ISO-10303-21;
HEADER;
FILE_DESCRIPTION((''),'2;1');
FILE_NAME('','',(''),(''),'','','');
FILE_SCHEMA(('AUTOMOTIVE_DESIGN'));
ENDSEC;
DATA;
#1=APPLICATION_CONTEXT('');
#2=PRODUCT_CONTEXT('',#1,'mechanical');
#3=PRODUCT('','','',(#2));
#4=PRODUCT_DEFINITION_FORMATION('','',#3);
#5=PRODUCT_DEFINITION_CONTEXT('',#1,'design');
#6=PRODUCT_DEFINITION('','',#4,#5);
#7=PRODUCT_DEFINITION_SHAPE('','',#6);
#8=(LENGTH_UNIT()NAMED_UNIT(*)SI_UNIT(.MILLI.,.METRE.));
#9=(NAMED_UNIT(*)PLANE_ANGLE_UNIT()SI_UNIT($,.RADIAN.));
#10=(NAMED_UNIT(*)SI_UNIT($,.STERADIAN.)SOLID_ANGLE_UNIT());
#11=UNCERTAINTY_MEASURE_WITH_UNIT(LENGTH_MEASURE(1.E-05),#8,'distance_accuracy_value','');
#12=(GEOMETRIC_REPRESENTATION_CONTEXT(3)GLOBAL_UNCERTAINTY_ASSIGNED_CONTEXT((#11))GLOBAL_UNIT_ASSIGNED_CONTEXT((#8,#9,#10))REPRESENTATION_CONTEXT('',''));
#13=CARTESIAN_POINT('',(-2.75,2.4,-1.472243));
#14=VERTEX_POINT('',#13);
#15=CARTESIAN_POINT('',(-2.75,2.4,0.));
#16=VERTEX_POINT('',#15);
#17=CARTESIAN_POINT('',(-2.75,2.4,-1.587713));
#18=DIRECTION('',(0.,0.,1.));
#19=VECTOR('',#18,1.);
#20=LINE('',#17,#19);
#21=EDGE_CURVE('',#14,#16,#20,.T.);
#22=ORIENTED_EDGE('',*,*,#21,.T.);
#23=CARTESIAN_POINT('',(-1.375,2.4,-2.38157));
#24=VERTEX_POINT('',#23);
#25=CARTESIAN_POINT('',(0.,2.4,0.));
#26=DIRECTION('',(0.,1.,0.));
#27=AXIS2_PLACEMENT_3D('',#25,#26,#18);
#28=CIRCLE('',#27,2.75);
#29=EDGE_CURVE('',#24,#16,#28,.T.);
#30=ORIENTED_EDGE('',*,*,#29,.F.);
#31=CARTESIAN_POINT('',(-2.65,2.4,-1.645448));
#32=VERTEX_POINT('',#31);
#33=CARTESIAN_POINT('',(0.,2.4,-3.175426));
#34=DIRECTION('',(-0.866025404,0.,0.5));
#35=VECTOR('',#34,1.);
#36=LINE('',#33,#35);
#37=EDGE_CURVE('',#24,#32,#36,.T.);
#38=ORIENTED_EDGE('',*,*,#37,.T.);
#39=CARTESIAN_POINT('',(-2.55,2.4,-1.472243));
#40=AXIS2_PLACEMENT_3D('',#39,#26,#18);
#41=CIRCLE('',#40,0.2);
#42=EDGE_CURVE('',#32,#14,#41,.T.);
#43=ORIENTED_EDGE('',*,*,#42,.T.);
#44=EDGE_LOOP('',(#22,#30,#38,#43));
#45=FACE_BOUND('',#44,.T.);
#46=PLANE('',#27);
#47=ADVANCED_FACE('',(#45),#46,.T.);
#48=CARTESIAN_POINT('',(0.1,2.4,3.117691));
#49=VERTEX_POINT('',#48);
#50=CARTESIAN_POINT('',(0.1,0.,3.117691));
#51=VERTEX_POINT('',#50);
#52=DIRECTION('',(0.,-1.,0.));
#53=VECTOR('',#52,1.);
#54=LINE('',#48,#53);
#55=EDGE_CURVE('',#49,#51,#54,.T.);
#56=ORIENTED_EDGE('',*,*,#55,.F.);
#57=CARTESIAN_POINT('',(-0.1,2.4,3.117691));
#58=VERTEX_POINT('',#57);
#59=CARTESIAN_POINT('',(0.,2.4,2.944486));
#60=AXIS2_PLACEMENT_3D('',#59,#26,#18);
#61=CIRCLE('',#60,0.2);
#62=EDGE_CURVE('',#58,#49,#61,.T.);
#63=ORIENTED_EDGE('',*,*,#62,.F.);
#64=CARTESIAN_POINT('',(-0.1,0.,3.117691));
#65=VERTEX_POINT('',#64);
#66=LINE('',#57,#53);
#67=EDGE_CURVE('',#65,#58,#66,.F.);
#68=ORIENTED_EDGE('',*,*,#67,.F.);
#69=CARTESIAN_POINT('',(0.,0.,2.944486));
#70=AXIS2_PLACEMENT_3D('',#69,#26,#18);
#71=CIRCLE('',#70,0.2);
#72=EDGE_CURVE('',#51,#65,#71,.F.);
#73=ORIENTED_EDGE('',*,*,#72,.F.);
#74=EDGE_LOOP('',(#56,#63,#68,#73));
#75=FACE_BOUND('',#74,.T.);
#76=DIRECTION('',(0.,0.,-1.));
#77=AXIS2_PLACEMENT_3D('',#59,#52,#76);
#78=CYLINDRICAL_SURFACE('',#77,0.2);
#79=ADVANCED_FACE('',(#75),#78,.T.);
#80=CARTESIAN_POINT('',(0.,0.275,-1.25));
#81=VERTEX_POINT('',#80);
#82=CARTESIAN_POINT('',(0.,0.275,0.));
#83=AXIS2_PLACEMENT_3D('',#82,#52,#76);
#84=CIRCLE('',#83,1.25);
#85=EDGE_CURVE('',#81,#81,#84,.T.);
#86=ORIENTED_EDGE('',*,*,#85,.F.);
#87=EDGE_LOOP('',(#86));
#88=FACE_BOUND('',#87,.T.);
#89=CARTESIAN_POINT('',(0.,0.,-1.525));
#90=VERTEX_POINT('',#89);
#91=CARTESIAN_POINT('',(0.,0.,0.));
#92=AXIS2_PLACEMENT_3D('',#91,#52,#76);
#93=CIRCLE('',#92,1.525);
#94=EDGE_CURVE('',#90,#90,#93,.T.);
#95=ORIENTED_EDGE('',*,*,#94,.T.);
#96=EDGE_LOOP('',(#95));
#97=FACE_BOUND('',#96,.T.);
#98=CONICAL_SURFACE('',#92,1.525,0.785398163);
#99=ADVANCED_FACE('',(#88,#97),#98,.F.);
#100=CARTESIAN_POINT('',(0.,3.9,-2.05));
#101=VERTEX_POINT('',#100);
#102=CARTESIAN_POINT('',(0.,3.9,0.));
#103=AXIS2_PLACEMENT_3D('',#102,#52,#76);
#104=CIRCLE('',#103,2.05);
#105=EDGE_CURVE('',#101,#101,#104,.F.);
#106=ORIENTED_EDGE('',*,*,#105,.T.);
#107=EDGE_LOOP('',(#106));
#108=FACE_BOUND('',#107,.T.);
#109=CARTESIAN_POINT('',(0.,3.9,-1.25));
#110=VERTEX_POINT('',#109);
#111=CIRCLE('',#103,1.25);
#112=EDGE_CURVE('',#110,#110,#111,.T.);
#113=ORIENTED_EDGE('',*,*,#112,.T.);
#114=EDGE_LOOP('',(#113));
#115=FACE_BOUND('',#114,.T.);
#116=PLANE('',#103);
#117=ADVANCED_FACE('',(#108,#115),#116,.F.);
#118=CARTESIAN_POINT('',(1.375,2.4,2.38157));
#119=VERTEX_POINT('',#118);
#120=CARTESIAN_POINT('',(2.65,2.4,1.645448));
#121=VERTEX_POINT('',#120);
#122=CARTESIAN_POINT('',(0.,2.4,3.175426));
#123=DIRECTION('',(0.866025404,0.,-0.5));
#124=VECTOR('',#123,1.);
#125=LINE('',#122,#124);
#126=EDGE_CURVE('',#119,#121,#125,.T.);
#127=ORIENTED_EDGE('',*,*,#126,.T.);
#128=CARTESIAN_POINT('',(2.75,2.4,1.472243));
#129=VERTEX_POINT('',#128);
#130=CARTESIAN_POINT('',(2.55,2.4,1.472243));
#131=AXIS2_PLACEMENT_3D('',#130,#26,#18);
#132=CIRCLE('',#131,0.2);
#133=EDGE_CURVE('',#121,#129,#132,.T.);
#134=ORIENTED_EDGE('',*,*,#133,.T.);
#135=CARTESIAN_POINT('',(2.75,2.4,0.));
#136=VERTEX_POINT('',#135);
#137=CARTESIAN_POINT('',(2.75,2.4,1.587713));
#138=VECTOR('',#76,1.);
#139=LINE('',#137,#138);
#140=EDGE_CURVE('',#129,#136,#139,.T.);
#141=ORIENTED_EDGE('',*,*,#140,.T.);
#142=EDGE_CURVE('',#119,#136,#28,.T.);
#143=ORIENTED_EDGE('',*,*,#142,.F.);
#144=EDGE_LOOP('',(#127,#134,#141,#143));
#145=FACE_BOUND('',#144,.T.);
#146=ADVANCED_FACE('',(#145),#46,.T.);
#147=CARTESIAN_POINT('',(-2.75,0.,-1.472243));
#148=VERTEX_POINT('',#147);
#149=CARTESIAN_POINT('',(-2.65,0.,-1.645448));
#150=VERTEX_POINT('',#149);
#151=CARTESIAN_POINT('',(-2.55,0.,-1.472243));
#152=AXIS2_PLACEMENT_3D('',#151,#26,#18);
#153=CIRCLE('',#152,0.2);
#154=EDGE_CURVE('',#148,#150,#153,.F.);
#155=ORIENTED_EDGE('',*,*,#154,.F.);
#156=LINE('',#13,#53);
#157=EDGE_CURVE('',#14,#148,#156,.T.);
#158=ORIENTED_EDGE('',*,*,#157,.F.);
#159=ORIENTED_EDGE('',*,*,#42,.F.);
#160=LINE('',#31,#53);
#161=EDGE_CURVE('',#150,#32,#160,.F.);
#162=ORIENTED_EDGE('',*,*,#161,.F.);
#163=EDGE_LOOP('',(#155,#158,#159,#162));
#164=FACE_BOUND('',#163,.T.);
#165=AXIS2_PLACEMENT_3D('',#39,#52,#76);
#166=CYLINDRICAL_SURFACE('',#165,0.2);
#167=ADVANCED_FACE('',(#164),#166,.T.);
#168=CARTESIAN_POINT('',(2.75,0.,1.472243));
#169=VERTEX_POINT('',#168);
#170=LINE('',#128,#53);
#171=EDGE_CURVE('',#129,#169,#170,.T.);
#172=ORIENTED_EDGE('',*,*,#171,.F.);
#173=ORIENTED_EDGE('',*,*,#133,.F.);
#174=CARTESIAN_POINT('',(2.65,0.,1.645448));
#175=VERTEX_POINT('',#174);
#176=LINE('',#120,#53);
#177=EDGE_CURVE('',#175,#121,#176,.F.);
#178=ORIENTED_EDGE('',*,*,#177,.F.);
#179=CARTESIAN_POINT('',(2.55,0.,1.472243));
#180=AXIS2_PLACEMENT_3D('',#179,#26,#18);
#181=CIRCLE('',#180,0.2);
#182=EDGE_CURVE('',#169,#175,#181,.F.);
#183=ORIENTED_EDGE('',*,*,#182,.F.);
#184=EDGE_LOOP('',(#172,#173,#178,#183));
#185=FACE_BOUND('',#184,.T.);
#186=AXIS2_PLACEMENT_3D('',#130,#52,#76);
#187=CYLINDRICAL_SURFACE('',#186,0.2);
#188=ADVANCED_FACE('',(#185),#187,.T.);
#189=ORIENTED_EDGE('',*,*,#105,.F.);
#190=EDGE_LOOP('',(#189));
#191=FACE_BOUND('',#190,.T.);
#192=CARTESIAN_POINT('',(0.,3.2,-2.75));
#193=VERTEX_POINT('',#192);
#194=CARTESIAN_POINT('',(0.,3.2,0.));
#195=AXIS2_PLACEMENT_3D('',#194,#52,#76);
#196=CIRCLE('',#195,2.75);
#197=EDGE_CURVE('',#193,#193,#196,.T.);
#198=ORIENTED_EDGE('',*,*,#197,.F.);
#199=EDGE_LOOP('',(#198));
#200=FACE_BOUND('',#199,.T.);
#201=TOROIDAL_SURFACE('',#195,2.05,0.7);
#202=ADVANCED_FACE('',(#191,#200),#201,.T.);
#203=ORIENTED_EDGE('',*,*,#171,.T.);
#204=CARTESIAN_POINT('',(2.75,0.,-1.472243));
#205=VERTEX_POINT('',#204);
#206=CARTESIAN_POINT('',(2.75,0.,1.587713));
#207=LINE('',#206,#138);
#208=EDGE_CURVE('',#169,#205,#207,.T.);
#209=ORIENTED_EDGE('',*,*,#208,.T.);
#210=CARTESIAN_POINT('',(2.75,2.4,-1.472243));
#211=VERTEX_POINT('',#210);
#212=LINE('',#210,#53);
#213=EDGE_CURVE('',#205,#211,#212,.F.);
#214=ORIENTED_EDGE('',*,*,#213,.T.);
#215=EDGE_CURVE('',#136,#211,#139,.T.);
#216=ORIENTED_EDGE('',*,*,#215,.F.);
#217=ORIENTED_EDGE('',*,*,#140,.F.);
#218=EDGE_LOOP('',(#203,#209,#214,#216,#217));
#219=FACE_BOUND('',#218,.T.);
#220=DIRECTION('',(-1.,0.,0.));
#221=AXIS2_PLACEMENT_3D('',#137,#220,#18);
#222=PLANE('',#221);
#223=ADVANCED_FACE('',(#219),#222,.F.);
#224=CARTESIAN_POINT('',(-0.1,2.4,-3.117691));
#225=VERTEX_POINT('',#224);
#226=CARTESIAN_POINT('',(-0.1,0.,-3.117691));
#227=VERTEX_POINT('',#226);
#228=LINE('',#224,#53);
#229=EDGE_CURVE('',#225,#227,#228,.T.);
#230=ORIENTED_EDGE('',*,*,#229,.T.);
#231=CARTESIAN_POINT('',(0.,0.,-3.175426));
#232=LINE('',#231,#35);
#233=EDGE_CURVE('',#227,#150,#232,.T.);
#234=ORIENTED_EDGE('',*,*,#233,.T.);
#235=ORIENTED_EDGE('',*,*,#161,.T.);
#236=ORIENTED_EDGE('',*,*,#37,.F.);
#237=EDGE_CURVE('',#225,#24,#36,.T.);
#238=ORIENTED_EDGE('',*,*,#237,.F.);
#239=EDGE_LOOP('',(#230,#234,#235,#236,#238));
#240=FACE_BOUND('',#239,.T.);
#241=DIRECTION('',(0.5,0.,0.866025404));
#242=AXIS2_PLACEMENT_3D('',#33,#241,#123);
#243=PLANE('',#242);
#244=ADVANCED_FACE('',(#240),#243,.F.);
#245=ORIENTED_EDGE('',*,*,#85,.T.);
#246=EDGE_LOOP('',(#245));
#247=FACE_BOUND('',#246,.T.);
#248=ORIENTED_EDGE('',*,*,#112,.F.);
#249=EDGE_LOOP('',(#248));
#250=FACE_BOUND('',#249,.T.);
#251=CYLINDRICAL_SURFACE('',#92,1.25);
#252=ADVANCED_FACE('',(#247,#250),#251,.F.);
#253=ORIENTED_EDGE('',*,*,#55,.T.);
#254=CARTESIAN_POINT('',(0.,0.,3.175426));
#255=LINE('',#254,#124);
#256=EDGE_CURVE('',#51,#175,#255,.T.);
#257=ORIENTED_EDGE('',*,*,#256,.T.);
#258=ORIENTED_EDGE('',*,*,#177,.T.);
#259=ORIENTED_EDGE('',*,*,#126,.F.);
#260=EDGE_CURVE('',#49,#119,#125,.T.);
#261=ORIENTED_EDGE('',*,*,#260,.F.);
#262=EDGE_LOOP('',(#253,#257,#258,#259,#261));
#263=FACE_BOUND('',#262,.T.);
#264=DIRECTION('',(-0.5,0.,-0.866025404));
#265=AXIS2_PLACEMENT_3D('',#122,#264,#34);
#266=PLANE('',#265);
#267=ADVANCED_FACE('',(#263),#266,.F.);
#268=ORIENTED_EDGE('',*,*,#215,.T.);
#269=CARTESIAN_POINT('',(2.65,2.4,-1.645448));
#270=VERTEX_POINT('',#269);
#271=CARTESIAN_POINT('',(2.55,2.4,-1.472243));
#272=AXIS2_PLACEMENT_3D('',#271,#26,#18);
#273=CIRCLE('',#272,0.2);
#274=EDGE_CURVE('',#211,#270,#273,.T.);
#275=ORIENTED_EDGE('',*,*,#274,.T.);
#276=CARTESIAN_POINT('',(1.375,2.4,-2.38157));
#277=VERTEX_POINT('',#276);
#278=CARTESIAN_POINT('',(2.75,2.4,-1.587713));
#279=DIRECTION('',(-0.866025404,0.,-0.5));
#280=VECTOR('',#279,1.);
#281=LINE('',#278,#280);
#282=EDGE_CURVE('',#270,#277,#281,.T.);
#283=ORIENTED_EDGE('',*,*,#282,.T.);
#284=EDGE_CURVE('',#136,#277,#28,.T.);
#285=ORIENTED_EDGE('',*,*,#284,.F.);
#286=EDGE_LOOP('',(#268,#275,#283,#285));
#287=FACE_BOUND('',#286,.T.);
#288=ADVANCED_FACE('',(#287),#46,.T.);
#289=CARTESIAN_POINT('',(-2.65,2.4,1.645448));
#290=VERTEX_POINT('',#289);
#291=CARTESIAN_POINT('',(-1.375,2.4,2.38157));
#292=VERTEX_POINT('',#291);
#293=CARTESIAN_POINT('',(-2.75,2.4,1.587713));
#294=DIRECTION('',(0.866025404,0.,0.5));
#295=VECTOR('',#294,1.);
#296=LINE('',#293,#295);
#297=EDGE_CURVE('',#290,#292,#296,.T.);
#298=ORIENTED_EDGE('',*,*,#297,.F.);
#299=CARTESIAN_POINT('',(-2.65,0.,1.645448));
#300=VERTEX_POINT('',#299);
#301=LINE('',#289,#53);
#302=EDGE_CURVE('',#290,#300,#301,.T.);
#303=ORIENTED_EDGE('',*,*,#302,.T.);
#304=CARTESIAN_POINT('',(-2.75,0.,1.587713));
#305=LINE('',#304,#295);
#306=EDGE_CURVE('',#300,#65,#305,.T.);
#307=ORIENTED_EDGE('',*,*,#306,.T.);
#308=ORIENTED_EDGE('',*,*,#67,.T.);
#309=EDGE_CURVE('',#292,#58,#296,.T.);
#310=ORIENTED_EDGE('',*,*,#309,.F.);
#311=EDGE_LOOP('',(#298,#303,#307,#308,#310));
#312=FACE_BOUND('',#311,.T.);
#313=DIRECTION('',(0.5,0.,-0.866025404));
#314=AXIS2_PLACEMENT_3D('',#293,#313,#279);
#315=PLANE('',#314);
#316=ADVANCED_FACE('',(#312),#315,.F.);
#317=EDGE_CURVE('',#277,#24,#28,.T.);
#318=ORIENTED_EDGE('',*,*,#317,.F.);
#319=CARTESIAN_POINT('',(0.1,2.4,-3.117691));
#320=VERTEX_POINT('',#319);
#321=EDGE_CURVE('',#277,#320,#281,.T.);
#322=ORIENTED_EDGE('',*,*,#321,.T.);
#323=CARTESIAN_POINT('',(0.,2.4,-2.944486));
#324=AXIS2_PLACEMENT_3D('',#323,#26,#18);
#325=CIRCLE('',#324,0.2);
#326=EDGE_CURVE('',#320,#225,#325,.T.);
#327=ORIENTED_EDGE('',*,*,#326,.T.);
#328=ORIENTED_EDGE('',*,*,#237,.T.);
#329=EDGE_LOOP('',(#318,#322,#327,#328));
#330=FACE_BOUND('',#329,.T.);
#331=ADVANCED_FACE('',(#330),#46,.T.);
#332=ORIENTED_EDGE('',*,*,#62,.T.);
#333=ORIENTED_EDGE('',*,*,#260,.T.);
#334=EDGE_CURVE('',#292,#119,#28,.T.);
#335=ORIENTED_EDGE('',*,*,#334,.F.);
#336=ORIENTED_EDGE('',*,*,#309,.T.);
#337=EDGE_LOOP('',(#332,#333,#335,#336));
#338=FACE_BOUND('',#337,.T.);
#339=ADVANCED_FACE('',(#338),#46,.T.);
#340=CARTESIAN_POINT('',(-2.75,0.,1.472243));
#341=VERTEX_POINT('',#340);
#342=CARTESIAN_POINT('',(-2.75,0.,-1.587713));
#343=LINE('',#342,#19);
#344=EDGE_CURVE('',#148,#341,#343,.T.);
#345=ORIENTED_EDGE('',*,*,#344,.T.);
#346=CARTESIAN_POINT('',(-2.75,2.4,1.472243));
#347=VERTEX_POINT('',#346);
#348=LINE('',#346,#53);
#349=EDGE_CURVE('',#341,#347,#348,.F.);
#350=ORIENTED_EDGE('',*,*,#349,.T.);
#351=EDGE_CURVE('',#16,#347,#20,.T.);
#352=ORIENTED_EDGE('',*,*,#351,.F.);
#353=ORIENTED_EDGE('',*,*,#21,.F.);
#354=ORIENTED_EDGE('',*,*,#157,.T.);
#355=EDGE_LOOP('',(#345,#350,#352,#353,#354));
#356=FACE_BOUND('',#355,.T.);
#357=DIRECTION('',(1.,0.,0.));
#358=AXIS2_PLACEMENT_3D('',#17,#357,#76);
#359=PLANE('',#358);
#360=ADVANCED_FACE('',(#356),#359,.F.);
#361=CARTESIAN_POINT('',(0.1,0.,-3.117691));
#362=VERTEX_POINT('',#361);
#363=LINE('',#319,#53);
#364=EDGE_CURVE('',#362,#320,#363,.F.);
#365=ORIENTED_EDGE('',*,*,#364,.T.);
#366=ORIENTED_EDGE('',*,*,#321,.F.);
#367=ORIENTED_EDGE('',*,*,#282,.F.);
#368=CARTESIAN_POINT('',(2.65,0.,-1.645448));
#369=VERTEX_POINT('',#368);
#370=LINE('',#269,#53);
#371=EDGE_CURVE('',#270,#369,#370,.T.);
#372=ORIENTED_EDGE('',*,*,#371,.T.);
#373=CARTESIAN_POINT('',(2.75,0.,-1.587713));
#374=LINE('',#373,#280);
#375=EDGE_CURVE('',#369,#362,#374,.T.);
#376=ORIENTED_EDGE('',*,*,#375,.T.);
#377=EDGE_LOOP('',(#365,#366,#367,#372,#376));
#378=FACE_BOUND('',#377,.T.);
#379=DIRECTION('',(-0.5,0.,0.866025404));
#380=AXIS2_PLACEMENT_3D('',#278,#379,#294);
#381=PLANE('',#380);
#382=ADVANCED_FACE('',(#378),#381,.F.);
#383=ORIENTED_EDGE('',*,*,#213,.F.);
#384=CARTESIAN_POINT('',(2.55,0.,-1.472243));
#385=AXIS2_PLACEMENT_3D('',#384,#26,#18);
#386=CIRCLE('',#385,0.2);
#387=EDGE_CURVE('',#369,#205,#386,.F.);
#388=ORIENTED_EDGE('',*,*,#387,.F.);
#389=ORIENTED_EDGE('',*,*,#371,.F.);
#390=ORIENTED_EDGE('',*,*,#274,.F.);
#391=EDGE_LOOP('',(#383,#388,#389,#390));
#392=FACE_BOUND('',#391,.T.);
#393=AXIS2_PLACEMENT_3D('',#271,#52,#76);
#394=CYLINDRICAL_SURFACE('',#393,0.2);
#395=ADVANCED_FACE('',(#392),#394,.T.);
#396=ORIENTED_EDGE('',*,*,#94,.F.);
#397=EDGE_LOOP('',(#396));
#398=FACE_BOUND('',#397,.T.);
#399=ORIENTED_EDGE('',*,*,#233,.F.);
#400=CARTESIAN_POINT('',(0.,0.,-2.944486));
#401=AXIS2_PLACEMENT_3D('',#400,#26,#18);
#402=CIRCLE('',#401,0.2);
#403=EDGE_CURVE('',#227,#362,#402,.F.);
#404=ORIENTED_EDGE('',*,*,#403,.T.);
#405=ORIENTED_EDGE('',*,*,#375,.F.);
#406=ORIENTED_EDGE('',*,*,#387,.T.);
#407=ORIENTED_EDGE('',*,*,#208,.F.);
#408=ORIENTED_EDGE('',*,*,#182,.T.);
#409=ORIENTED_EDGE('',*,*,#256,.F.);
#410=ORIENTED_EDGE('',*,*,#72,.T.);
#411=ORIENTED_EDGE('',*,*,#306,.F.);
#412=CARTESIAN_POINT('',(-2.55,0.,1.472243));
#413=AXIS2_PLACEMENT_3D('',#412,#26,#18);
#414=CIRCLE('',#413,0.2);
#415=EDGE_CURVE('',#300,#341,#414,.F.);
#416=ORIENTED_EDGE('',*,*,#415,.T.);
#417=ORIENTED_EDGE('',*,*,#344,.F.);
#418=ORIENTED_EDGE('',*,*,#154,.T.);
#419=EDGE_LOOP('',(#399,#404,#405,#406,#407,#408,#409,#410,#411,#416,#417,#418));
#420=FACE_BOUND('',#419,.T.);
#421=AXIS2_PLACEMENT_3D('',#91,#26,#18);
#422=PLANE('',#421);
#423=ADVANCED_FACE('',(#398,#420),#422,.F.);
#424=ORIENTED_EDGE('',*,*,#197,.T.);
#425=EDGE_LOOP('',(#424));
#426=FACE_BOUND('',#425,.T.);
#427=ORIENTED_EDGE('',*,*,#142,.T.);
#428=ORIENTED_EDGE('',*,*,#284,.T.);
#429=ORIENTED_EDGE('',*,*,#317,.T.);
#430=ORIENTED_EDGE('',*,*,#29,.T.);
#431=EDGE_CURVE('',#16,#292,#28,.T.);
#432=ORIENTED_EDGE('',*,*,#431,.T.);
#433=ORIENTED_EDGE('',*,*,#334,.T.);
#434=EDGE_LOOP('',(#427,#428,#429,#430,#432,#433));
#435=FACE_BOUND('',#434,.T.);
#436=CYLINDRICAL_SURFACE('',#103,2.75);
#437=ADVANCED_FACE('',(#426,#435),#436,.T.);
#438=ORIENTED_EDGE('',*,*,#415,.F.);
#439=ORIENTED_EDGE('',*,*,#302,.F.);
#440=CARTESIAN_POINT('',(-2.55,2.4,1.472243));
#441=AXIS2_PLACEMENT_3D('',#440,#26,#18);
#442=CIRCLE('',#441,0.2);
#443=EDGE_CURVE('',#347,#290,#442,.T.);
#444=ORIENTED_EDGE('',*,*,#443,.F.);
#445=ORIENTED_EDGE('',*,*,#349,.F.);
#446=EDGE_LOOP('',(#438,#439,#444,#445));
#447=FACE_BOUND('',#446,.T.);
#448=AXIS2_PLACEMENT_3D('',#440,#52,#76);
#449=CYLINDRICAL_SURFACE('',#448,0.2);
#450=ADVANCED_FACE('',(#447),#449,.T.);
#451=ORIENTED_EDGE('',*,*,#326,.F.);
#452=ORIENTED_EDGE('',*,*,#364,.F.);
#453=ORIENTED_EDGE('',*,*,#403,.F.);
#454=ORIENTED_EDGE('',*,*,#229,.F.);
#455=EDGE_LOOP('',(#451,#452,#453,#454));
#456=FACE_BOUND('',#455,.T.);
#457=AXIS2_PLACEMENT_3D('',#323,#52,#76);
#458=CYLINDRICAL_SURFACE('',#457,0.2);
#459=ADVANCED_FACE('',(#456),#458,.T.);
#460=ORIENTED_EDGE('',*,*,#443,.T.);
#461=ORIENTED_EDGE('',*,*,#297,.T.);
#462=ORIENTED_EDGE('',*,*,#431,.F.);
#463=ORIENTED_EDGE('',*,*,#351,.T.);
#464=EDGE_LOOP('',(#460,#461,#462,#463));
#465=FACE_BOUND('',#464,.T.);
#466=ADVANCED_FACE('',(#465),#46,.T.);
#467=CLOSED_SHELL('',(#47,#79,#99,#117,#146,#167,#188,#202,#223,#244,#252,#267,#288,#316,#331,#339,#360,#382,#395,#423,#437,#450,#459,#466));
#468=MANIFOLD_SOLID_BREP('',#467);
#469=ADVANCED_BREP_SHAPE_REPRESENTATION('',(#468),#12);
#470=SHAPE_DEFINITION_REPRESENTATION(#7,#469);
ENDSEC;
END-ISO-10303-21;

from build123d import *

# Parameters (mm, degrees)
EXTRUDE_1_DEPTH              = 2.4
SKETCH_2_R                   = 2.75
EXTRUDE_2_DEPTH              = 3.9
FILLET_1_R                   = 0.7
FILLET_2_R                   = 0.2
HOLE_WIZARD_M3_1_D           = 2.5
HOLE_WIZARD_M3_1_DEPTH       = 7.5
HOLE_WIZARD_M3_1_CSINK_D     = 3.05
HOLE_WIZARD_M3_1_CSINK_ANGLE = 90
HOLE_WIZARD_M3_1_TIP         = 0.751075774


with BuildPart() as part:
    # 草图1 → 凸台-拉伸1 (new body)
    with BuildSketch(Plane(origin=(0, 0, 0), x_dir=(1, 0, 0), z_dir=(0, 1, 0))):
        Polygon((2.75, -1.58771324), (2.75, 1.58771324), (0, 3.175426481), (-2.75, 1.58771324), (-2.75, -1.58771324), (0, -3.175426481), align=None)
    extrude(amount=EXTRUDE_1_DEPTH)

    # 草图2 → 凸台-拉伸2 (add)
    with BuildSketch(Plane.XZ):
        Circle(SKETCH_2_R)
    extrude(amount=-EXTRUDE_2_DEPTH)

    # 圆角1
    fillet_1_edges = [part.edges().sort_by_distance(p)[0] for p in [
        (-2.75, 3.9, 0),
    ]]
    fillet(fillet_1_edges, radius=FILLET_1_R)

    # 圆角2
    fillet_2_edges = [part.edges().sort_by_distance(p)[0] for p in [
        (0, 1.2, 3.175426481),
        (-2.75, 1.2, 1.58771324),
        (-2.75, 1.2, -1.58771324),
        (0, 1.2, -3.175426481),
        (2.75, 1.2, -1.58771324),
        (2.75, 1.2, 1.58771324),
    ]]
    fillet(fillet_2_edges, radius=FILLET_2_R)

    # M3 螺纹孔1
    with Locations(Plane(origin=(0, 0, 0), x_dir=(-1, 0, 0), z_dir=(0, -1, 0))):
        with Locations((0, 0)):
            CounterSinkHole(HOLE_WIZARD_M3_1_D / 2, HOLE_WIZARD_M3_1_CSINK_D / 2, depth=HOLE_WIZARD_M3_1_DEPTH, counter_sink_angle=HOLE_WIZARD_M3_1_CSINK_ANGLE)
            with Locations((0, 0, -(HOLE_WIZARD_M3_1_DEPTH + HOLE_WIZARD_M3_1_TIP / 2))):  # 118° drill point
                Cone(0, HOLE_WIZARD_M3_1_D / 2, HOLE_WIZARD_M3_1_TIP, mode=Mode.SUBTRACT)


solid = part.part
